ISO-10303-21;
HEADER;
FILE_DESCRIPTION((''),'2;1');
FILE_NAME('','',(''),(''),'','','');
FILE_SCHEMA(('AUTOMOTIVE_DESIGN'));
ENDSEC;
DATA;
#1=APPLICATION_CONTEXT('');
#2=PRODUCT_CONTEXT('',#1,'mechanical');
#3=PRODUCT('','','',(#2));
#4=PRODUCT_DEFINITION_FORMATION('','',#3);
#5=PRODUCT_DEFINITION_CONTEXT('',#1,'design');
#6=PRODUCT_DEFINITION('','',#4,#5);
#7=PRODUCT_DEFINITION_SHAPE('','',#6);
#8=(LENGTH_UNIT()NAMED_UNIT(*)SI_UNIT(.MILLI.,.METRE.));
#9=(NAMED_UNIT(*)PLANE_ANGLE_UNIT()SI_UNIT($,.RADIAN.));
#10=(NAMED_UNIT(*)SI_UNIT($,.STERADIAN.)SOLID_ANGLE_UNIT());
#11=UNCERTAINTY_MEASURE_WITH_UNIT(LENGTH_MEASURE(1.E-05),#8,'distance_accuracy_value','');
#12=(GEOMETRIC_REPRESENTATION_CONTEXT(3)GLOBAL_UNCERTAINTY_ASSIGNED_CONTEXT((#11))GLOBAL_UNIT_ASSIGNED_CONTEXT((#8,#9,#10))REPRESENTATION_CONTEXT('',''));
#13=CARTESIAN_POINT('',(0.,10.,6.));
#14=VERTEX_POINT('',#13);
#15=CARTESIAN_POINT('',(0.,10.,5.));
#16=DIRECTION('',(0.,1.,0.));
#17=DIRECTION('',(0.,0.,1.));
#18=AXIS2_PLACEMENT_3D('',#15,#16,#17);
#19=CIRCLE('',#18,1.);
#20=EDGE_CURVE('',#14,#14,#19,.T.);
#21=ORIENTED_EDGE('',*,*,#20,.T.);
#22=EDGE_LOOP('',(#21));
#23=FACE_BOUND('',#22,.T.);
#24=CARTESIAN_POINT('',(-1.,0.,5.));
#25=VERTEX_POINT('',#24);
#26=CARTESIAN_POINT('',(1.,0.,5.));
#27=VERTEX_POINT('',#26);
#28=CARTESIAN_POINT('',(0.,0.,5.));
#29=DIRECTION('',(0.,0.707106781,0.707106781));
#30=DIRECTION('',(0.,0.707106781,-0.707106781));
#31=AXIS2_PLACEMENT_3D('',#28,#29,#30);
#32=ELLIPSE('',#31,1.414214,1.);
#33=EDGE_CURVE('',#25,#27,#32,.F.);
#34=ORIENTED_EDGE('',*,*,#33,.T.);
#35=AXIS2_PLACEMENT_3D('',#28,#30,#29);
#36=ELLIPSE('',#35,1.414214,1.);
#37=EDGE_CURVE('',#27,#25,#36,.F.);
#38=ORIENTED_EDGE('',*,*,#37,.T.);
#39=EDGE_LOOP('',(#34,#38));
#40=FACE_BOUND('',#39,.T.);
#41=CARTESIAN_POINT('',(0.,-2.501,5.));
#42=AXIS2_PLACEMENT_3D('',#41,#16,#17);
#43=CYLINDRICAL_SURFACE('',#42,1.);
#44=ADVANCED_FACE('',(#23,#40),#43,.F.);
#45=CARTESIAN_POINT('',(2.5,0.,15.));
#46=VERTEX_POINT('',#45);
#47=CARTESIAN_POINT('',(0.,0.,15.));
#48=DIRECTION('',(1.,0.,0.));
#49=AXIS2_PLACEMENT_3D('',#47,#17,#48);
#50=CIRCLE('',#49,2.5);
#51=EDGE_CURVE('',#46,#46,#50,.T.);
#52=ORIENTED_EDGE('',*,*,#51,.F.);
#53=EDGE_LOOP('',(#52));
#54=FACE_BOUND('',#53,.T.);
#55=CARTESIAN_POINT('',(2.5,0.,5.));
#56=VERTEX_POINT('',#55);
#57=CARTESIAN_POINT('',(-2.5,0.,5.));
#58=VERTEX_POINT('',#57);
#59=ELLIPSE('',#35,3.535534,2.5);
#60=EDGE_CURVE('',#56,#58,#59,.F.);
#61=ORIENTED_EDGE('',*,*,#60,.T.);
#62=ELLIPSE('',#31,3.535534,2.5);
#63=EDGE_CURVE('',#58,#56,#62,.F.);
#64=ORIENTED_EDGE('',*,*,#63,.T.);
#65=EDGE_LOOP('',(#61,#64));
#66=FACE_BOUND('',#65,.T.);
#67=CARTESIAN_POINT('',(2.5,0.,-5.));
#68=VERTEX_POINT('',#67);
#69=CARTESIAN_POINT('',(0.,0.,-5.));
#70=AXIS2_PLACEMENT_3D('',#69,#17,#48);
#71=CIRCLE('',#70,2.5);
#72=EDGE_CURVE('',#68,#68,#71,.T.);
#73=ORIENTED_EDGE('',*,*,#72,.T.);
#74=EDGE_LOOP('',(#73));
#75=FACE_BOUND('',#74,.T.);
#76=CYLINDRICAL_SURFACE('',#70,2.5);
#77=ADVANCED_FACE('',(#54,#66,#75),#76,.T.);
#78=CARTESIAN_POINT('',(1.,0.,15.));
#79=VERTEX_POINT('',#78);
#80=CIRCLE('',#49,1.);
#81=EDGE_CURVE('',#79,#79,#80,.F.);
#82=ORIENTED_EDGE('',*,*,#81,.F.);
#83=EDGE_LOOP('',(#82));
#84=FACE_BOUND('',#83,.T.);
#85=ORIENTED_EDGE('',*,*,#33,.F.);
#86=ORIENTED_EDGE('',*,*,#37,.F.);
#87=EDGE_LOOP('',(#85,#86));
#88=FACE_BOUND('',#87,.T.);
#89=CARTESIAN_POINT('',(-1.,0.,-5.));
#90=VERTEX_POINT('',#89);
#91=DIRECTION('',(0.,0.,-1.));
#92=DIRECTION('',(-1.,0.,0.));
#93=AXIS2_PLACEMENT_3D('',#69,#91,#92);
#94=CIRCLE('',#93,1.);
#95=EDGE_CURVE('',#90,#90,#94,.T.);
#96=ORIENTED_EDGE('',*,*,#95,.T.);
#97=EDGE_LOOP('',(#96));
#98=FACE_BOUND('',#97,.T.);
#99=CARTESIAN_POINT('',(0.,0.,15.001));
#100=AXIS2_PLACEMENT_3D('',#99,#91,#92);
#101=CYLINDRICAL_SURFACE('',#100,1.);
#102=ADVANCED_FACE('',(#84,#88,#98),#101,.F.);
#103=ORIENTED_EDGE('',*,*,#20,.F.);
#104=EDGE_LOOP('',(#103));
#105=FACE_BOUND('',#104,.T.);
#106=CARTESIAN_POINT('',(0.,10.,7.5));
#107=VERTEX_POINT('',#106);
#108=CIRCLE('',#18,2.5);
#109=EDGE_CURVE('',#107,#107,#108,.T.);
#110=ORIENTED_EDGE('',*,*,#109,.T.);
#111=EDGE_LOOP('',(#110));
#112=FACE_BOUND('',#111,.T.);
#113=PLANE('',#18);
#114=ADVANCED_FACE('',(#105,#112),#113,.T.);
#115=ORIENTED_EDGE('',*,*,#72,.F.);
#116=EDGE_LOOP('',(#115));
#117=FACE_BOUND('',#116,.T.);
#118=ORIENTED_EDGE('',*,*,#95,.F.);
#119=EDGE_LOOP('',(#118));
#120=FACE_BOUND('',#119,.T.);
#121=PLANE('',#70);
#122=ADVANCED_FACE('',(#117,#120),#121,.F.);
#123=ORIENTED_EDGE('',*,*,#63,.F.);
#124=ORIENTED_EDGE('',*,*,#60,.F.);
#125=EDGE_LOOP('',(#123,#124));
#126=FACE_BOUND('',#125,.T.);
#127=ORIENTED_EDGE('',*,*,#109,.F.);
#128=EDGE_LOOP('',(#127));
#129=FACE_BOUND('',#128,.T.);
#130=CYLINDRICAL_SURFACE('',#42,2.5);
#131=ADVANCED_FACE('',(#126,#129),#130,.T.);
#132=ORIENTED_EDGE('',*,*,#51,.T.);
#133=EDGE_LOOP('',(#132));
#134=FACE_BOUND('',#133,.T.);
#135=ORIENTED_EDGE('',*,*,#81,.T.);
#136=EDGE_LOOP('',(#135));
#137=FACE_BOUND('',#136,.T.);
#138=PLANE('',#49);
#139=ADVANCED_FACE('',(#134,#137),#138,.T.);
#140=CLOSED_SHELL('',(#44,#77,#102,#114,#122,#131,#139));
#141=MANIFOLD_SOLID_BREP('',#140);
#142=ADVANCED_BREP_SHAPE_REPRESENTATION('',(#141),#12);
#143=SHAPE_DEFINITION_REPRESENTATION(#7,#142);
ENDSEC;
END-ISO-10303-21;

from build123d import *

# Parameters (mm, degrees)
EXTRUDE_1_DEPTH          = 15
EXTRUDE_1_DEPTH_BACK     = 5
SKETCH_1_R               = 2.5
EXTRUDE_2_REACH          = 21.685
EXTRUDE_2_END_RADIUS     = 2.5
SKETCH_3_R               = 2.5
CUT_EXTRUDE_1_REACH      = 24.5
SKETCH_6_R               = 1
CUT_EXTRUDE_3_REACH      = 21.685
CUT_EXTRUDE_3_END_RADIUS = 1
SKETCH_7_R               = 1


with BuildPart() as part:
    # 草图1 → 凸台-拉伸1 (new, two sides: drawn at the far end of the back side and taken through both)
    with BuildSketch(Plane.XY.offset(-EXTRUDE_1_DEPTH_BACK)):
        Circle(SKETCH_1_R)
    extrude(amount=EXTRUDE_1_DEPTH + EXTRUDE_1_DEPTH_BACK)

    # 凸台-拉伸2: up to this cylinder (the profile starts outside it)
    extrude_2_end = Plane(origin=(0, 0, 5), z_dir=(0, 0, 1)) * Cylinder(EXTRUDE_2_END_RADIUS, 49.37, mode=Mode.PRIVATE)
    # 草图3 → 凸台-拉伸2 (add, up to the surface)
    with BuildSketch(Plane(origin=(0, 10, 0), x_dir=(1, 0, 0), z_dir=(0, 1, 0)), mode=Mode.PRIVATE) as extrude_2_sk1:
        with Locations(Location((0, -5, 0), (0, 0, 270))):
            Circle(SKETCH_3_R)
    extrude_2_tool1 = extrude(extrude_2_sk1.sketch, amount=-EXTRUDE_2_REACH, mode=Mode.PRIVATE) - extrude_2_end
    add(extrude_2_tool1.solids().sort_by_distance((0, 10, 5))[0])

    # 草图6 → 切除-拉伸1 (cut, up to next)
    with BuildSketch(Plane(origin=(0, 0, -5), x_dir=(-1, 0, 0), z_dir=(0, 0, -1)), mode=Mode.PRIVATE) as cut_extrude_1_sk1:
        Circle(SKETCH_6_R)
    cut_extrude_1_tool1 = extrude(cut_extrude_1_sk1.sketch, amount=-CUT_EXTRUDE_1_REACH, mode=Mode.PRIVATE) & part.part
    add(cut_extrude_1_tool1.solids().sort_by_distance((0, 0, -5))[0], mode=Mode.SUBTRACT)

    # 切除-拉伸3: up to this cylinder (the profile starts outside it)
    cut_extrude_3_end = Plane(origin=(0, 0, 5), z_dir=(0, 0, -1)) * Cylinder(CUT_EXTRUDE_3_END_RADIUS, 46.37, mode=Mode.PRIVATE)
    # 草图7 → 切除-拉伸3 (cut, up to the surface)
    with BuildSketch(Plane(origin=(0, 10, 0), x_dir=(1, 0, 0), z_dir=(0, 1, 0)), mode=Mode.PRIVATE) as cut_extrude_3_sk1:
        with Locations(Location((0, -5, 0), (0, 0, 270))):
            Circle(SKETCH_7_R)
    cut_extrude_3_tool1 = extrude(cut_extrude_3_sk1.sketch, amount=-CUT_EXTRUDE_3_REACH, mode=Mode.PRIVATE) - cut_extrude_3_end
    add(cut_extrude_3_tool1.solids().sort_by_distance((0, 10, 5))[0], mode=Mode.SUBTRACT)


solid = part.part
